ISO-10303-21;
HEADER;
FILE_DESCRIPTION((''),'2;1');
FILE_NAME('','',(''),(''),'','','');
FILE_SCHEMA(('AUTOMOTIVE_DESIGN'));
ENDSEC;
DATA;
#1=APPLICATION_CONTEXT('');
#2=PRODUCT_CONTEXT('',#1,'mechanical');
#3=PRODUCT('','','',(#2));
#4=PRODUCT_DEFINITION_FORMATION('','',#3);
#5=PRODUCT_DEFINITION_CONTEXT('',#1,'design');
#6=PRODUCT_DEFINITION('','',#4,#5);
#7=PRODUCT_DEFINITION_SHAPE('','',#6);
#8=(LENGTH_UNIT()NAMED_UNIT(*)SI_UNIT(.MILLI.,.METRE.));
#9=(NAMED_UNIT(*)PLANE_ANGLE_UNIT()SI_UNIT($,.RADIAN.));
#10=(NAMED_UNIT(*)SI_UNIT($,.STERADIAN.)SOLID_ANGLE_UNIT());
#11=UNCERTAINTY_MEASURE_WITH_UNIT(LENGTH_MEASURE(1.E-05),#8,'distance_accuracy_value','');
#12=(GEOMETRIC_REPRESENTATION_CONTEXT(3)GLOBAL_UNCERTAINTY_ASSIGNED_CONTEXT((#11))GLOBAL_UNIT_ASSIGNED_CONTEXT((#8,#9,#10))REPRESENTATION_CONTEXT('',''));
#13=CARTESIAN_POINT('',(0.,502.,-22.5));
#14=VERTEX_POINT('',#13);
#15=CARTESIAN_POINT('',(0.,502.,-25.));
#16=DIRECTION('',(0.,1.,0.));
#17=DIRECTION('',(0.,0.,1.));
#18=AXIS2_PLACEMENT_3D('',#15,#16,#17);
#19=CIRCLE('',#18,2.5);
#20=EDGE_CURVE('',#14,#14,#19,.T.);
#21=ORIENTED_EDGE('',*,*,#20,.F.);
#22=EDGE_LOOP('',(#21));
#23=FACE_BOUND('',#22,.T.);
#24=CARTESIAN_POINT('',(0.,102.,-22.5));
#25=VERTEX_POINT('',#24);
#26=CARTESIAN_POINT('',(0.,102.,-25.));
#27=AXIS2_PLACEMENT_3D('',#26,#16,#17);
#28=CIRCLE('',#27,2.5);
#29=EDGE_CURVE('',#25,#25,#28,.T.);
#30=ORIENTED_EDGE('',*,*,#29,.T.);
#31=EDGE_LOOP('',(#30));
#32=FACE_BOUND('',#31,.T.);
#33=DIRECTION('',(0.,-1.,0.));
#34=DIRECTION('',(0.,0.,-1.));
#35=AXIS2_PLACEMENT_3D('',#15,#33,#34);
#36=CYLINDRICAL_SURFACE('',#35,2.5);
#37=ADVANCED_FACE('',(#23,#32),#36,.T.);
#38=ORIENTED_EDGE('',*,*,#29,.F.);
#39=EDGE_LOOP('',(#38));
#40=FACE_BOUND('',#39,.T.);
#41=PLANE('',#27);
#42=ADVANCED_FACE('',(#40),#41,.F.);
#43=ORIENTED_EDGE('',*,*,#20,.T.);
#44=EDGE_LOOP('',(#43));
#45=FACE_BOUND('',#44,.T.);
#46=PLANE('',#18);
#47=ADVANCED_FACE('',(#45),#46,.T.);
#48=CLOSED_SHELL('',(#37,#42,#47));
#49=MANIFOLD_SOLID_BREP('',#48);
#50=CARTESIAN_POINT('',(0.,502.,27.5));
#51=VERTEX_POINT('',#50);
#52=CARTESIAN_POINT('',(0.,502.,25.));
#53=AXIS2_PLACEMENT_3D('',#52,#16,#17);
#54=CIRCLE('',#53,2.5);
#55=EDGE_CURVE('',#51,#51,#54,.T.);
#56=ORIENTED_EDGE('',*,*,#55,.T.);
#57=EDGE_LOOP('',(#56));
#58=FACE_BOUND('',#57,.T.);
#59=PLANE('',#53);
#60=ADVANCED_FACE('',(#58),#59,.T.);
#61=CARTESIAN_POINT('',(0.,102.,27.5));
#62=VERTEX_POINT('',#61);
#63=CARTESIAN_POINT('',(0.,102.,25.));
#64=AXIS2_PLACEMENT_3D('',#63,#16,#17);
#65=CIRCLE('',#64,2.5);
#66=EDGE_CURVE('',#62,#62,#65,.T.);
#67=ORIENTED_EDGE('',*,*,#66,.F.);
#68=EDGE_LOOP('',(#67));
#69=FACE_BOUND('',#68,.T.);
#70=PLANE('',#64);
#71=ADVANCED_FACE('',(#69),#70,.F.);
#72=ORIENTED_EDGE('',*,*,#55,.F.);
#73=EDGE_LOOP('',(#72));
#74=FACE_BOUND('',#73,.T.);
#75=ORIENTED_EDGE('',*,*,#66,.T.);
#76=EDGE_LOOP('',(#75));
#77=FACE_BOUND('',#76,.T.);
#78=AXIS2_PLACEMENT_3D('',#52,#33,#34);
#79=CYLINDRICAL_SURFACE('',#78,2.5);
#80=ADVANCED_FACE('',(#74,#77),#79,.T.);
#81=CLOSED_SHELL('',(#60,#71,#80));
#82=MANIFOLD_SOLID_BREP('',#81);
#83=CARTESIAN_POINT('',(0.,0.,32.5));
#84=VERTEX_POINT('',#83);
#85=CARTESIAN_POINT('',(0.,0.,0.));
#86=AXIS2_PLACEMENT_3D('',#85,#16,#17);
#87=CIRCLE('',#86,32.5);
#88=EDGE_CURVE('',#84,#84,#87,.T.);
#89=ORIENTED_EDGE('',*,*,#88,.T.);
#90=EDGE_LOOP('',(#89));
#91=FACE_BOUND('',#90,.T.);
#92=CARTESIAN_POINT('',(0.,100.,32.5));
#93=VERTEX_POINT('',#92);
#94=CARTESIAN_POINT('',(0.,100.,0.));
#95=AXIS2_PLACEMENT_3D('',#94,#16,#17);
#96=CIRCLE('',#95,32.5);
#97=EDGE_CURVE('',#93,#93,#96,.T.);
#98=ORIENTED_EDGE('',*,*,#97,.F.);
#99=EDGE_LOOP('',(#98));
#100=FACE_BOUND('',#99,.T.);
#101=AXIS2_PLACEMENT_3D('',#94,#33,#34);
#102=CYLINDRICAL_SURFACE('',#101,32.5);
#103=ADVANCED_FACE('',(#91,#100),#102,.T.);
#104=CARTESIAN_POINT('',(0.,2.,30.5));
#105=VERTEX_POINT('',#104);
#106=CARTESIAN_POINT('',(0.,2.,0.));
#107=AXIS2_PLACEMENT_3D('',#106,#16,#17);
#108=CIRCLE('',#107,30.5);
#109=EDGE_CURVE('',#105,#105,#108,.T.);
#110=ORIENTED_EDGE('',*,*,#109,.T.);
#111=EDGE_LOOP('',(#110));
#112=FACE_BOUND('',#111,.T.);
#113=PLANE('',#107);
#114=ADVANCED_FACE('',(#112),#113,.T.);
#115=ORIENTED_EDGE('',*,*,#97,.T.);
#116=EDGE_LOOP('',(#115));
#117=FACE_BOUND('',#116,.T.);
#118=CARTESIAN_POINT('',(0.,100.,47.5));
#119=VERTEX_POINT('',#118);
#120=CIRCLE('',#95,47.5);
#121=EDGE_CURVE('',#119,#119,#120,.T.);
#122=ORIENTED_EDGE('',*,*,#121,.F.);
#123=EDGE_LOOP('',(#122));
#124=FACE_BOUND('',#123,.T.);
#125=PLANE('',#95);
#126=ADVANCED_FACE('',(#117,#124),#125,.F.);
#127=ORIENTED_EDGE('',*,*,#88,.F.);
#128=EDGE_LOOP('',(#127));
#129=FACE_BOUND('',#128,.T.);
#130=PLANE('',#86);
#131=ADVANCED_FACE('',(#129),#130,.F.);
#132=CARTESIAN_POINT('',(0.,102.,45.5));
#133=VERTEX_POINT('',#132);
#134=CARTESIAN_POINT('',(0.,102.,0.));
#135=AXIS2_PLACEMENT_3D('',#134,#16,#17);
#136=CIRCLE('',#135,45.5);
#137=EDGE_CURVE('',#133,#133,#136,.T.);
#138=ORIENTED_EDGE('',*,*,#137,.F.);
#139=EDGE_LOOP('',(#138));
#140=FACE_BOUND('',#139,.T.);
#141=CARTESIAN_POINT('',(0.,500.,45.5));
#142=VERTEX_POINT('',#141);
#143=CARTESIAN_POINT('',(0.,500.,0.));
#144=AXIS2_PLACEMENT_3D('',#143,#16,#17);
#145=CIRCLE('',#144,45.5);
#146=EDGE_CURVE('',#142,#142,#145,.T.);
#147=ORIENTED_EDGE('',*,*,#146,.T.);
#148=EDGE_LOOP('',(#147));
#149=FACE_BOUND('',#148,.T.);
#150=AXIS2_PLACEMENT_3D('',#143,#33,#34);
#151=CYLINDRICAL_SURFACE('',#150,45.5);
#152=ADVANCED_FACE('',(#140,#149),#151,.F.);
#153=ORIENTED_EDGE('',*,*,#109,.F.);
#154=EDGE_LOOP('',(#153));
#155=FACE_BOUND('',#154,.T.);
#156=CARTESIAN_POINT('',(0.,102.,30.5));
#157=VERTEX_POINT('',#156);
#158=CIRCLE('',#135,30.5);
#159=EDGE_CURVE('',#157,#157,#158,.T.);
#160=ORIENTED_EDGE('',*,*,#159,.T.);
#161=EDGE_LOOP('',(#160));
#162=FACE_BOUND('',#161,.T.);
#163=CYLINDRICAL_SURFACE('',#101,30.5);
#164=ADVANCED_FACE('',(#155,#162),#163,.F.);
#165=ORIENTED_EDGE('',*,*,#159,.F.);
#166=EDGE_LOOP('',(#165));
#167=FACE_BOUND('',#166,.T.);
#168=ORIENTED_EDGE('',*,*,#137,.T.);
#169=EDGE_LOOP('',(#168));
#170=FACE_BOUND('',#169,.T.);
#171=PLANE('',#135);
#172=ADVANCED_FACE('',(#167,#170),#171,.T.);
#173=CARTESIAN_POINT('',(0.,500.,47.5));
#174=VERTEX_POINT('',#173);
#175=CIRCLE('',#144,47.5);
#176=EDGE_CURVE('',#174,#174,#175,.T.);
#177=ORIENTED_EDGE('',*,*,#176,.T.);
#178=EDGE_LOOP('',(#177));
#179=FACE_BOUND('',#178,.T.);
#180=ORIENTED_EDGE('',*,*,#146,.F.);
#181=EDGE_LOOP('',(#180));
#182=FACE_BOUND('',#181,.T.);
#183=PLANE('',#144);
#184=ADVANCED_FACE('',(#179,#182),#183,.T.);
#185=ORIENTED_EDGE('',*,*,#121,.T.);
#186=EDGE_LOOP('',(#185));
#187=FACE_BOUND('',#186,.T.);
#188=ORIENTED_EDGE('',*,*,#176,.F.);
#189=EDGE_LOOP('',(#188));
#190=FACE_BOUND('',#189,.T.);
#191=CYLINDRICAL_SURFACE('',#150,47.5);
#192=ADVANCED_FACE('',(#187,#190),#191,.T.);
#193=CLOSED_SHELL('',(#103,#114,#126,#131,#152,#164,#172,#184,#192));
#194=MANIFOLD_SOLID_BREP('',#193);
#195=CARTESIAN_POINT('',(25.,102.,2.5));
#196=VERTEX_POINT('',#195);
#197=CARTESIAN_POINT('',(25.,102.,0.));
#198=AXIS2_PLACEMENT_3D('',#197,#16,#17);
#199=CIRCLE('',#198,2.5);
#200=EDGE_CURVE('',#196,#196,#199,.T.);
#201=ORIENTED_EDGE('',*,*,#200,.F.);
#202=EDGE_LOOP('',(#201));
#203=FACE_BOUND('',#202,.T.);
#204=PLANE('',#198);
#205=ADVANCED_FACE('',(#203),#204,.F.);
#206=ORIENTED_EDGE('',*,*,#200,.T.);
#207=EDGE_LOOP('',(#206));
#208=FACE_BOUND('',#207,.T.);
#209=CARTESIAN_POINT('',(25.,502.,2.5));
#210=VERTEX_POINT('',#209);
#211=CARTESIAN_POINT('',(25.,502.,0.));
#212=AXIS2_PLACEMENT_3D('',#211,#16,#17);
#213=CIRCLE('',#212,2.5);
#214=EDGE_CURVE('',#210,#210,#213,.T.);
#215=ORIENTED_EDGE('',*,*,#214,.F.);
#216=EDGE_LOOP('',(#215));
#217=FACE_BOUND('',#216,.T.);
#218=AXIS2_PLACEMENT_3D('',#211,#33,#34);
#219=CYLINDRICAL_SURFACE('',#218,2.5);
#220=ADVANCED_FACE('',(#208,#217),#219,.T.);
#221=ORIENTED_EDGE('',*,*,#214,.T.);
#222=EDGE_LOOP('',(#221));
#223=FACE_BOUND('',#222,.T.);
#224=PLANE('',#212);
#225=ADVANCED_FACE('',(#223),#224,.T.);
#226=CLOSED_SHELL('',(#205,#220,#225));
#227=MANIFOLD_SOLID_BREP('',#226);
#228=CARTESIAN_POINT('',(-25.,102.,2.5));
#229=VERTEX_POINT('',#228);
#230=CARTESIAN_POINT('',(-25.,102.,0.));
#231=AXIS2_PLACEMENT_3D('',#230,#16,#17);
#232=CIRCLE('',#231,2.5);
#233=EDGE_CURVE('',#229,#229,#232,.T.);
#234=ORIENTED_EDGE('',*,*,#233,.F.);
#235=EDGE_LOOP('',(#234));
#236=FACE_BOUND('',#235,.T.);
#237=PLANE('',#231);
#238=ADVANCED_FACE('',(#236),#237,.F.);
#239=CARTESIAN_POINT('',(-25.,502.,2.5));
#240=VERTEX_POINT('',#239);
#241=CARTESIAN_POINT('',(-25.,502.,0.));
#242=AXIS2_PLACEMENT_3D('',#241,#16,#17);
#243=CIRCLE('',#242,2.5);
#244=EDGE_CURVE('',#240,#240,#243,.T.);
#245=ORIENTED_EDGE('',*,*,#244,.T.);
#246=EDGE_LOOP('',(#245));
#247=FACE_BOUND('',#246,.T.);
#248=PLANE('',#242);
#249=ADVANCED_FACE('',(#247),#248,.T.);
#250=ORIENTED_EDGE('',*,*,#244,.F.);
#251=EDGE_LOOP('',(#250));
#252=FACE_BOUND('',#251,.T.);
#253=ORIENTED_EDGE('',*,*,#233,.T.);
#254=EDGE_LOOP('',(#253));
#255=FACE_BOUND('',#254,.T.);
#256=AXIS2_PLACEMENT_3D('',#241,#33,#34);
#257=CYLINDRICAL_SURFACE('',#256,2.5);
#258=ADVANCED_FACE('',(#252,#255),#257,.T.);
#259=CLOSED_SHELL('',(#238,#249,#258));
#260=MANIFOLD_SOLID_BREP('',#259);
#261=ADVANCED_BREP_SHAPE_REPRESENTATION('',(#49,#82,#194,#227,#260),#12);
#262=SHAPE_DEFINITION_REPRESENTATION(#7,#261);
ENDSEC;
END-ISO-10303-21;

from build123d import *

# Parameters (mm, degrees)
SKETCH1_R             = 32.5
BOSS_EXTRUDE1_DEPTH   = 100
SKETCH2_R             = 47.5
BOSS_EXTRUDE2_DEPTH   = 400
SHELL1_T              = -2
SKETCH3_R             = 2.5
BOSS_EXTRUDE3_DEPTH   = 400
BOSS_EXTRUDE3_2_DEPTH = 400
BOSS_EXTRUDE3_3_DEPTH = 400
BOSS_EXTRUDE3_4_DEPTH = 400


with BuildPart() as part:
    # Sketch1 → Boss-Extrude1 (new body)
    with BuildSketch(Plane(origin=(0, 0, 0), x_dir=(1, 0, 0), z_dir=(0, 1, 0))):
        with Locations(Location((0, 0, 0), (0, 0, 270))):
            Circle(SKETCH1_R)
    extrude(amount=BOSS_EXTRUDE1_DEPTH)

    # Sketch2 → Boss-Extrude2 (add)
    with BuildSketch(Plane(origin=(0, 100, 0), x_dir=(1, 0, 0), z_dir=(0, 1, 0))):
        with Locations(Location((0, 0, 0), (0, 0, 270))):
            Circle(SKETCH2_R)
    extrude(amount=BOSS_EXTRUDE2_DEPTH)

    # Shell1
    shell1_openings = [part.faces().sort_by_distance(p)[0] for p in [
        (0, 500, 0),
    ]]
    offset(amount=SHELL1_T, openings=shell1_openings, kind=Kind.INTERSECTION)


with BuildPart() as body_2:
    # Sketch3 → Boss-Extrude3 (new body)
    with BuildSketch(Plane(origin=(0, 102, 0), x_dir=(1, 0, 0), z_dir=(0, 1, 0))):
        with Locations(Location((-25, 0, 0), (0, 0, 270))):
            Circle(SKETCH3_R)
    extrude(amount=BOSS_EXTRUDE3_DEPTH)


with BuildPart() as body_3:
    # Sketch3 → Boss-Extrude3 2 (new body)
    with BuildSketch(Plane(origin=(0, 102, 0), x_dir=(1, 0, 0), z_dir=(0, 1, 0))):
        with Locations(Location((0, 25, 0), (0, 0, 270))):
            Circle(SKETCH3_R)
    extrude(amount=BOSS_EXTRUDE3_2_DEPTH)


with BuildPart() as body_4:
    # Sketch3 → Boss-Extrude3 3 (new body)
    with BuildSketch(Plane(origin=(0, 102, 0), x_dir=(1, 0, 0), z_dir=(0, 1, 0))):
        with Locations(Location((25, 0, 0), (0, 0, 270))):
            Circle(SKETCH3_R)
    extrude(amount=BOSS_EXTRUDE3_3_DEPTH)


with BuildPart() as body_5:
    # Sketch3 → Boss-Extrude3 4 (new body)
    with BuildSketch(Plane(origin=(0, 102, 0), x_dir=(1, 0, 0), z_dir=(0, 1, 0))):
        with Locations(Location((0, -25, 0), (0, 0, 270))):
            Circle(SKETCH3_R)
    extrude(amount=BOSS_EXTRUDE3_4_DEPTH)


solid = Compound([part.part, body_2.part, body_3.part, body_4.part, body_5.part])
